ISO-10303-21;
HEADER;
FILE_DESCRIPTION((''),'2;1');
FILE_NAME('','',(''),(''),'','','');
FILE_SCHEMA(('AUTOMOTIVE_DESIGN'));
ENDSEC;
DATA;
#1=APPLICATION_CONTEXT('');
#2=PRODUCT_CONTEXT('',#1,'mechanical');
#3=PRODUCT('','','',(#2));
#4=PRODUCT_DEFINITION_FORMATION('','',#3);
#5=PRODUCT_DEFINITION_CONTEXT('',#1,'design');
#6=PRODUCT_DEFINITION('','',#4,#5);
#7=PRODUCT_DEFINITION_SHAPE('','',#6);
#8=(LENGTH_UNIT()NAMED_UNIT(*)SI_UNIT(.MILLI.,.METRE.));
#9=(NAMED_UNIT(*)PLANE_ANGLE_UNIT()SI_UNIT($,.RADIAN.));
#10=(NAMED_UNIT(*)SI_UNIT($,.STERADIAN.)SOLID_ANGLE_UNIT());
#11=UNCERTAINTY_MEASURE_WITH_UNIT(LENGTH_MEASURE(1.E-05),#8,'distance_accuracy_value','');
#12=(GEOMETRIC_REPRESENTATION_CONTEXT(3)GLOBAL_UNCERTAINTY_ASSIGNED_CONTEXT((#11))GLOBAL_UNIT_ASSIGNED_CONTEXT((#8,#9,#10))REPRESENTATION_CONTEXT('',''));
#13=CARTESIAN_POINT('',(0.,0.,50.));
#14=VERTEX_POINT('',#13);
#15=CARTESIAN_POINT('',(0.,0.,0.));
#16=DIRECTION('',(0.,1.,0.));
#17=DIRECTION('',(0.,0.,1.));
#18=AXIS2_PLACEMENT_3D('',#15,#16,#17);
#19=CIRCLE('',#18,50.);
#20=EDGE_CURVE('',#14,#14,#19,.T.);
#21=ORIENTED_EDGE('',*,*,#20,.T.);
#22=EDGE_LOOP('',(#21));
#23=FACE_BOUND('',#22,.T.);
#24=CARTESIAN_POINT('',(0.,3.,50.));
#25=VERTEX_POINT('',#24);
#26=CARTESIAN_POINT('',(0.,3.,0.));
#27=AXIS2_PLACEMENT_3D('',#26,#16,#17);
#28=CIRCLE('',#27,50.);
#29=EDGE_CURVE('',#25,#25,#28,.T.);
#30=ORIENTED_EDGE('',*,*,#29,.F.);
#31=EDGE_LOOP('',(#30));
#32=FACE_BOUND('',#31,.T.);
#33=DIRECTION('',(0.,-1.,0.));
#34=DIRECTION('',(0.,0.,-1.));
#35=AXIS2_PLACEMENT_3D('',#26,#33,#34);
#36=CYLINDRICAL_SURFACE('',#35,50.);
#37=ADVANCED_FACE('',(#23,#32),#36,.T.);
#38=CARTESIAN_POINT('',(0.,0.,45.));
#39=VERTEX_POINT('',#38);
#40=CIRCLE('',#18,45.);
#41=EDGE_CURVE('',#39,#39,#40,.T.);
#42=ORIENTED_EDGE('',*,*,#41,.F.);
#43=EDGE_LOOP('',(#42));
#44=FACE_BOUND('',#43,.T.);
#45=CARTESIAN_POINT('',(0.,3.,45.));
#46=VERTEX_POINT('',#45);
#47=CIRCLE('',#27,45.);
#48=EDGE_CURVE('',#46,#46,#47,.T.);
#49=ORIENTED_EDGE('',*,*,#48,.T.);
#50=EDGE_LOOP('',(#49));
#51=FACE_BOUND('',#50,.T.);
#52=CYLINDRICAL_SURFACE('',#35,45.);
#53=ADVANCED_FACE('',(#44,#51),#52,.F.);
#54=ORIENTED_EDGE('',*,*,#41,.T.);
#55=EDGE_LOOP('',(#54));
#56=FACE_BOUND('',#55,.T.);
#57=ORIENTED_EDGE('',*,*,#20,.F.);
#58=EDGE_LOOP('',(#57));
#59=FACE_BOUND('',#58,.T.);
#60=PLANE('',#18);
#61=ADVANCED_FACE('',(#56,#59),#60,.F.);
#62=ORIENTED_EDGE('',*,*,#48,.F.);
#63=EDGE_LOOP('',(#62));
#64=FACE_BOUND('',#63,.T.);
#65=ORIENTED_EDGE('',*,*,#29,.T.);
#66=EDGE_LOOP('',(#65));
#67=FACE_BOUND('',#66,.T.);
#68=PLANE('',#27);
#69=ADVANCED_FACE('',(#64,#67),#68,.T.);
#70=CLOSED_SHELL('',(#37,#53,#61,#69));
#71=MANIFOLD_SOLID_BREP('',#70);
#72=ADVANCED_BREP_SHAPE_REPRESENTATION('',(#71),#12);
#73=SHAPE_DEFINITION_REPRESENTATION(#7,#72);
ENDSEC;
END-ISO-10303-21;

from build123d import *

# Parameters (mm, degrees)
IZIM1_R                     = 50
IZIM1_R_2                   = 45
Y_KSEKLIK_EKSTR_ZYON1_DEPTH = 3


with BuildPart() as part:
    # Çizim1 → Yükseklik-Ekstrüzyon1 (new body)
    with BuildSketch(Plane(origin=(0, 0, 0), x_dir=(1, 0, 0), z_dir=(0, 1, 0))):
        with Locations(Location((0, 0, 0), (0, 0, 270))):
            Circle(IZIM1_R)
        with Locations(Location((0, 0, 0), (0, 0, 270))):
            Circle(IZIM1_R_2, mode=Mode.SUBTRACT)
    extrude(amount=Y_KSEKLIK_EKSTR_ZYON1_DEPTH)


solid = part.part
